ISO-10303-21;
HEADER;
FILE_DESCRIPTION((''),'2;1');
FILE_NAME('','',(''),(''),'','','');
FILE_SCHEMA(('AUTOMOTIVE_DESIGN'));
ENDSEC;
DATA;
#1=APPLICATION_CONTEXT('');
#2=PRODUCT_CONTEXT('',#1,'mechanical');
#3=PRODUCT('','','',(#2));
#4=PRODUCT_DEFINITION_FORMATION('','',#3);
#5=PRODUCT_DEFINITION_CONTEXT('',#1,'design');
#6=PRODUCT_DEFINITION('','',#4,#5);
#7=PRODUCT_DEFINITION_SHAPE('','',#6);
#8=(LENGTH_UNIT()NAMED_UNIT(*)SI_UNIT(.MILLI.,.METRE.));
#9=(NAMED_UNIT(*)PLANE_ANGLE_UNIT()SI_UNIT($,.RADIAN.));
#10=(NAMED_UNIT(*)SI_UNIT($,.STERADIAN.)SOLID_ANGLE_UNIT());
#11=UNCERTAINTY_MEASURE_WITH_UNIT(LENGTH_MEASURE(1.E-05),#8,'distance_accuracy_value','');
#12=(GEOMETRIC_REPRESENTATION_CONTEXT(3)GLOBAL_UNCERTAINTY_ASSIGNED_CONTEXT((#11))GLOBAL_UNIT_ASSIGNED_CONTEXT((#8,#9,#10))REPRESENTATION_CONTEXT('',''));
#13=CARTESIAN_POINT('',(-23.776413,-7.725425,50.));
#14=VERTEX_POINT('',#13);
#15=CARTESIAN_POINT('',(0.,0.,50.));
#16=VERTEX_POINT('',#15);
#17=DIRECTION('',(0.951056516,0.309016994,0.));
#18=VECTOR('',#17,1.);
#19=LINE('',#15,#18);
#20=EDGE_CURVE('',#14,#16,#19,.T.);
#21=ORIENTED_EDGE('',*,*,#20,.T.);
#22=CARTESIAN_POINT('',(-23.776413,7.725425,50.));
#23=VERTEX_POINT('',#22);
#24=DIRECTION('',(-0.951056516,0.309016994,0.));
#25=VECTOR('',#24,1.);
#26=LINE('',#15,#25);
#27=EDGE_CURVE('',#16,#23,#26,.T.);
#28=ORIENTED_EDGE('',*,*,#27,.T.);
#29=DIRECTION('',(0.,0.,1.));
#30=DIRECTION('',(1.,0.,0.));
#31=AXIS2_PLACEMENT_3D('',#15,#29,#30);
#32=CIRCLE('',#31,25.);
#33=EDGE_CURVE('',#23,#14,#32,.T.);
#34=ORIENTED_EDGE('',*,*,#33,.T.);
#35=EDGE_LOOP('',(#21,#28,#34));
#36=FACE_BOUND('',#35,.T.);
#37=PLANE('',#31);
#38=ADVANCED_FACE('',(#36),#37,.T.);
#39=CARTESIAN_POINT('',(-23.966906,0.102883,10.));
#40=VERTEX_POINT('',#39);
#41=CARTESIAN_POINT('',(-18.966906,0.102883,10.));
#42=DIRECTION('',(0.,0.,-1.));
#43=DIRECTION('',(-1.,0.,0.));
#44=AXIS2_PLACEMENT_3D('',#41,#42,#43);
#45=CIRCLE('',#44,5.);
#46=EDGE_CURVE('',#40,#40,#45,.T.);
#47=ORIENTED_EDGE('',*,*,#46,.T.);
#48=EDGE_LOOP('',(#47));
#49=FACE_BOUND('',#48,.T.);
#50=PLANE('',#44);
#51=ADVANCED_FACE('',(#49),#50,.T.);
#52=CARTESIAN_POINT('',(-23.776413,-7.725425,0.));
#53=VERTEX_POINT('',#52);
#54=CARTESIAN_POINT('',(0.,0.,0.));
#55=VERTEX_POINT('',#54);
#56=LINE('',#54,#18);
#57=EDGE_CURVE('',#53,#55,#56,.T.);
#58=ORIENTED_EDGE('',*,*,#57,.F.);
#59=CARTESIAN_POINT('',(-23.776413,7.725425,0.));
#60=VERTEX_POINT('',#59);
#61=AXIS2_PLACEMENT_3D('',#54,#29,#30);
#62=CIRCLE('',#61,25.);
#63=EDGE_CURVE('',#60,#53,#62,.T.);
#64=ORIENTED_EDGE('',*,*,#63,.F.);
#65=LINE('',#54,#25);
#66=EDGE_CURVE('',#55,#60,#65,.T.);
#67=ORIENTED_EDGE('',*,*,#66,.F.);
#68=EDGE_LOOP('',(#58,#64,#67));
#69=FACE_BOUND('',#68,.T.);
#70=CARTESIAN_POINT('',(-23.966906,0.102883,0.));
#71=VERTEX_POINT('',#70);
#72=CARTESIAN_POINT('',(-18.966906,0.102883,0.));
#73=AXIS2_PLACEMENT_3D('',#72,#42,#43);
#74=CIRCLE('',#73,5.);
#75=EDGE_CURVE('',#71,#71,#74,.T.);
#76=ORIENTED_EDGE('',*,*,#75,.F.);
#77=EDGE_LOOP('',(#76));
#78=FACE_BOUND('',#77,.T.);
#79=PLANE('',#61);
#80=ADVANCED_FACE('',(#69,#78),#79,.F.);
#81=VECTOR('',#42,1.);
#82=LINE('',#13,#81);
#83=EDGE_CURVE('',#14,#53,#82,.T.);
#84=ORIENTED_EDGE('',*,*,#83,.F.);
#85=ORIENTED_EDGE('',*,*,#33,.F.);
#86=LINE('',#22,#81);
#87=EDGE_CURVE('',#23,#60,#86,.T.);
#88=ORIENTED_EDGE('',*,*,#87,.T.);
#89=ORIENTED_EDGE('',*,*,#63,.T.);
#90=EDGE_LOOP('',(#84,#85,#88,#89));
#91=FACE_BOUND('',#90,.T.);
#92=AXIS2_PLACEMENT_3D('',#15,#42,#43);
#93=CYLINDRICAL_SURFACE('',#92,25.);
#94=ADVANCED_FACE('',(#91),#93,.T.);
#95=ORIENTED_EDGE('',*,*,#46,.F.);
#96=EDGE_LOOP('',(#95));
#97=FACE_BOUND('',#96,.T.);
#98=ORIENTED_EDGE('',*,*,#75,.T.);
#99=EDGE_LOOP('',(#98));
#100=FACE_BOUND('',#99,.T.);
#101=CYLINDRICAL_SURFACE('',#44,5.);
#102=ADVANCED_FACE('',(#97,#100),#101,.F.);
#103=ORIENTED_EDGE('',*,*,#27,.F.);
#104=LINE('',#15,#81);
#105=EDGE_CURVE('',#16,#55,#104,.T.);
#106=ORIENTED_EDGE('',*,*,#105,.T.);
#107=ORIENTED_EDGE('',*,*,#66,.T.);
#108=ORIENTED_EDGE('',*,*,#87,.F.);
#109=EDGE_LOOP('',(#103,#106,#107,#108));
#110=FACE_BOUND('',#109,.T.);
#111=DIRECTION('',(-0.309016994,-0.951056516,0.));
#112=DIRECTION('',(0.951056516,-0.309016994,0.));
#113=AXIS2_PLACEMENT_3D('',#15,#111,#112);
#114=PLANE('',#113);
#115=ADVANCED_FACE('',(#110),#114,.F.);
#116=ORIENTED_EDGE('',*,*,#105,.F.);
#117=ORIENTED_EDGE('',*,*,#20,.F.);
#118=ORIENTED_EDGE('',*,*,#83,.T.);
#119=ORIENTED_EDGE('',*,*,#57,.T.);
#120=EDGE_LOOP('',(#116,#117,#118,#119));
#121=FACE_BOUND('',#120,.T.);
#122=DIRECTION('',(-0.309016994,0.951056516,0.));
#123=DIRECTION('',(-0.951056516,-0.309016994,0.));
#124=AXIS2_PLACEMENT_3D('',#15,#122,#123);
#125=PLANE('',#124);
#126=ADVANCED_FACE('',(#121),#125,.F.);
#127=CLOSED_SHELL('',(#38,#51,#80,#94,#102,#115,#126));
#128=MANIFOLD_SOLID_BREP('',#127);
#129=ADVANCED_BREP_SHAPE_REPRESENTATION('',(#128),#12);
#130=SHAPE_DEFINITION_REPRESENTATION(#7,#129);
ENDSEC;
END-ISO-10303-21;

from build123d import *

# Parameters (mm, degrees)
SALIENTE_EXTRUIR1_DEPTH = 50
CROQUIS2_R              = 5
CORTAR_EXTRUIR1_DEPTH   = 10


with BuildPart() as part:
    # Croquis1 → Saliente-Extruir1 (new body)
    with BuildSketch(Plane.XY):
        with BuildLine():
            Line((0, 0), (-23.776412907, 7.725424859))
            ThreePointArc((-23.776412907, 7.725424859), (-25, 0), (-23.776412907, -7.725424859))
            Line((-23.776412907, -7.725424859), (0, 0))
        make_face()
    extrude(amount=SALIENTE_EXTRUIR1_DEPTH)

    # Croquis2 → Cortar-Extruir1 (cut)
    with BuildSketch(Plane(origin=(0, 0, 0), x_dir=(-1, 0, 0), z_dir=(0, 0, -1))):
        with Locations((18.966905847, 0.102882593)):
            Circle(CROQUIS2_R)
    extrude(amount=-CORTAR_EXTRUIR1_DEPTH, mode=Mode.SUBTRACT)


solid = part.part
